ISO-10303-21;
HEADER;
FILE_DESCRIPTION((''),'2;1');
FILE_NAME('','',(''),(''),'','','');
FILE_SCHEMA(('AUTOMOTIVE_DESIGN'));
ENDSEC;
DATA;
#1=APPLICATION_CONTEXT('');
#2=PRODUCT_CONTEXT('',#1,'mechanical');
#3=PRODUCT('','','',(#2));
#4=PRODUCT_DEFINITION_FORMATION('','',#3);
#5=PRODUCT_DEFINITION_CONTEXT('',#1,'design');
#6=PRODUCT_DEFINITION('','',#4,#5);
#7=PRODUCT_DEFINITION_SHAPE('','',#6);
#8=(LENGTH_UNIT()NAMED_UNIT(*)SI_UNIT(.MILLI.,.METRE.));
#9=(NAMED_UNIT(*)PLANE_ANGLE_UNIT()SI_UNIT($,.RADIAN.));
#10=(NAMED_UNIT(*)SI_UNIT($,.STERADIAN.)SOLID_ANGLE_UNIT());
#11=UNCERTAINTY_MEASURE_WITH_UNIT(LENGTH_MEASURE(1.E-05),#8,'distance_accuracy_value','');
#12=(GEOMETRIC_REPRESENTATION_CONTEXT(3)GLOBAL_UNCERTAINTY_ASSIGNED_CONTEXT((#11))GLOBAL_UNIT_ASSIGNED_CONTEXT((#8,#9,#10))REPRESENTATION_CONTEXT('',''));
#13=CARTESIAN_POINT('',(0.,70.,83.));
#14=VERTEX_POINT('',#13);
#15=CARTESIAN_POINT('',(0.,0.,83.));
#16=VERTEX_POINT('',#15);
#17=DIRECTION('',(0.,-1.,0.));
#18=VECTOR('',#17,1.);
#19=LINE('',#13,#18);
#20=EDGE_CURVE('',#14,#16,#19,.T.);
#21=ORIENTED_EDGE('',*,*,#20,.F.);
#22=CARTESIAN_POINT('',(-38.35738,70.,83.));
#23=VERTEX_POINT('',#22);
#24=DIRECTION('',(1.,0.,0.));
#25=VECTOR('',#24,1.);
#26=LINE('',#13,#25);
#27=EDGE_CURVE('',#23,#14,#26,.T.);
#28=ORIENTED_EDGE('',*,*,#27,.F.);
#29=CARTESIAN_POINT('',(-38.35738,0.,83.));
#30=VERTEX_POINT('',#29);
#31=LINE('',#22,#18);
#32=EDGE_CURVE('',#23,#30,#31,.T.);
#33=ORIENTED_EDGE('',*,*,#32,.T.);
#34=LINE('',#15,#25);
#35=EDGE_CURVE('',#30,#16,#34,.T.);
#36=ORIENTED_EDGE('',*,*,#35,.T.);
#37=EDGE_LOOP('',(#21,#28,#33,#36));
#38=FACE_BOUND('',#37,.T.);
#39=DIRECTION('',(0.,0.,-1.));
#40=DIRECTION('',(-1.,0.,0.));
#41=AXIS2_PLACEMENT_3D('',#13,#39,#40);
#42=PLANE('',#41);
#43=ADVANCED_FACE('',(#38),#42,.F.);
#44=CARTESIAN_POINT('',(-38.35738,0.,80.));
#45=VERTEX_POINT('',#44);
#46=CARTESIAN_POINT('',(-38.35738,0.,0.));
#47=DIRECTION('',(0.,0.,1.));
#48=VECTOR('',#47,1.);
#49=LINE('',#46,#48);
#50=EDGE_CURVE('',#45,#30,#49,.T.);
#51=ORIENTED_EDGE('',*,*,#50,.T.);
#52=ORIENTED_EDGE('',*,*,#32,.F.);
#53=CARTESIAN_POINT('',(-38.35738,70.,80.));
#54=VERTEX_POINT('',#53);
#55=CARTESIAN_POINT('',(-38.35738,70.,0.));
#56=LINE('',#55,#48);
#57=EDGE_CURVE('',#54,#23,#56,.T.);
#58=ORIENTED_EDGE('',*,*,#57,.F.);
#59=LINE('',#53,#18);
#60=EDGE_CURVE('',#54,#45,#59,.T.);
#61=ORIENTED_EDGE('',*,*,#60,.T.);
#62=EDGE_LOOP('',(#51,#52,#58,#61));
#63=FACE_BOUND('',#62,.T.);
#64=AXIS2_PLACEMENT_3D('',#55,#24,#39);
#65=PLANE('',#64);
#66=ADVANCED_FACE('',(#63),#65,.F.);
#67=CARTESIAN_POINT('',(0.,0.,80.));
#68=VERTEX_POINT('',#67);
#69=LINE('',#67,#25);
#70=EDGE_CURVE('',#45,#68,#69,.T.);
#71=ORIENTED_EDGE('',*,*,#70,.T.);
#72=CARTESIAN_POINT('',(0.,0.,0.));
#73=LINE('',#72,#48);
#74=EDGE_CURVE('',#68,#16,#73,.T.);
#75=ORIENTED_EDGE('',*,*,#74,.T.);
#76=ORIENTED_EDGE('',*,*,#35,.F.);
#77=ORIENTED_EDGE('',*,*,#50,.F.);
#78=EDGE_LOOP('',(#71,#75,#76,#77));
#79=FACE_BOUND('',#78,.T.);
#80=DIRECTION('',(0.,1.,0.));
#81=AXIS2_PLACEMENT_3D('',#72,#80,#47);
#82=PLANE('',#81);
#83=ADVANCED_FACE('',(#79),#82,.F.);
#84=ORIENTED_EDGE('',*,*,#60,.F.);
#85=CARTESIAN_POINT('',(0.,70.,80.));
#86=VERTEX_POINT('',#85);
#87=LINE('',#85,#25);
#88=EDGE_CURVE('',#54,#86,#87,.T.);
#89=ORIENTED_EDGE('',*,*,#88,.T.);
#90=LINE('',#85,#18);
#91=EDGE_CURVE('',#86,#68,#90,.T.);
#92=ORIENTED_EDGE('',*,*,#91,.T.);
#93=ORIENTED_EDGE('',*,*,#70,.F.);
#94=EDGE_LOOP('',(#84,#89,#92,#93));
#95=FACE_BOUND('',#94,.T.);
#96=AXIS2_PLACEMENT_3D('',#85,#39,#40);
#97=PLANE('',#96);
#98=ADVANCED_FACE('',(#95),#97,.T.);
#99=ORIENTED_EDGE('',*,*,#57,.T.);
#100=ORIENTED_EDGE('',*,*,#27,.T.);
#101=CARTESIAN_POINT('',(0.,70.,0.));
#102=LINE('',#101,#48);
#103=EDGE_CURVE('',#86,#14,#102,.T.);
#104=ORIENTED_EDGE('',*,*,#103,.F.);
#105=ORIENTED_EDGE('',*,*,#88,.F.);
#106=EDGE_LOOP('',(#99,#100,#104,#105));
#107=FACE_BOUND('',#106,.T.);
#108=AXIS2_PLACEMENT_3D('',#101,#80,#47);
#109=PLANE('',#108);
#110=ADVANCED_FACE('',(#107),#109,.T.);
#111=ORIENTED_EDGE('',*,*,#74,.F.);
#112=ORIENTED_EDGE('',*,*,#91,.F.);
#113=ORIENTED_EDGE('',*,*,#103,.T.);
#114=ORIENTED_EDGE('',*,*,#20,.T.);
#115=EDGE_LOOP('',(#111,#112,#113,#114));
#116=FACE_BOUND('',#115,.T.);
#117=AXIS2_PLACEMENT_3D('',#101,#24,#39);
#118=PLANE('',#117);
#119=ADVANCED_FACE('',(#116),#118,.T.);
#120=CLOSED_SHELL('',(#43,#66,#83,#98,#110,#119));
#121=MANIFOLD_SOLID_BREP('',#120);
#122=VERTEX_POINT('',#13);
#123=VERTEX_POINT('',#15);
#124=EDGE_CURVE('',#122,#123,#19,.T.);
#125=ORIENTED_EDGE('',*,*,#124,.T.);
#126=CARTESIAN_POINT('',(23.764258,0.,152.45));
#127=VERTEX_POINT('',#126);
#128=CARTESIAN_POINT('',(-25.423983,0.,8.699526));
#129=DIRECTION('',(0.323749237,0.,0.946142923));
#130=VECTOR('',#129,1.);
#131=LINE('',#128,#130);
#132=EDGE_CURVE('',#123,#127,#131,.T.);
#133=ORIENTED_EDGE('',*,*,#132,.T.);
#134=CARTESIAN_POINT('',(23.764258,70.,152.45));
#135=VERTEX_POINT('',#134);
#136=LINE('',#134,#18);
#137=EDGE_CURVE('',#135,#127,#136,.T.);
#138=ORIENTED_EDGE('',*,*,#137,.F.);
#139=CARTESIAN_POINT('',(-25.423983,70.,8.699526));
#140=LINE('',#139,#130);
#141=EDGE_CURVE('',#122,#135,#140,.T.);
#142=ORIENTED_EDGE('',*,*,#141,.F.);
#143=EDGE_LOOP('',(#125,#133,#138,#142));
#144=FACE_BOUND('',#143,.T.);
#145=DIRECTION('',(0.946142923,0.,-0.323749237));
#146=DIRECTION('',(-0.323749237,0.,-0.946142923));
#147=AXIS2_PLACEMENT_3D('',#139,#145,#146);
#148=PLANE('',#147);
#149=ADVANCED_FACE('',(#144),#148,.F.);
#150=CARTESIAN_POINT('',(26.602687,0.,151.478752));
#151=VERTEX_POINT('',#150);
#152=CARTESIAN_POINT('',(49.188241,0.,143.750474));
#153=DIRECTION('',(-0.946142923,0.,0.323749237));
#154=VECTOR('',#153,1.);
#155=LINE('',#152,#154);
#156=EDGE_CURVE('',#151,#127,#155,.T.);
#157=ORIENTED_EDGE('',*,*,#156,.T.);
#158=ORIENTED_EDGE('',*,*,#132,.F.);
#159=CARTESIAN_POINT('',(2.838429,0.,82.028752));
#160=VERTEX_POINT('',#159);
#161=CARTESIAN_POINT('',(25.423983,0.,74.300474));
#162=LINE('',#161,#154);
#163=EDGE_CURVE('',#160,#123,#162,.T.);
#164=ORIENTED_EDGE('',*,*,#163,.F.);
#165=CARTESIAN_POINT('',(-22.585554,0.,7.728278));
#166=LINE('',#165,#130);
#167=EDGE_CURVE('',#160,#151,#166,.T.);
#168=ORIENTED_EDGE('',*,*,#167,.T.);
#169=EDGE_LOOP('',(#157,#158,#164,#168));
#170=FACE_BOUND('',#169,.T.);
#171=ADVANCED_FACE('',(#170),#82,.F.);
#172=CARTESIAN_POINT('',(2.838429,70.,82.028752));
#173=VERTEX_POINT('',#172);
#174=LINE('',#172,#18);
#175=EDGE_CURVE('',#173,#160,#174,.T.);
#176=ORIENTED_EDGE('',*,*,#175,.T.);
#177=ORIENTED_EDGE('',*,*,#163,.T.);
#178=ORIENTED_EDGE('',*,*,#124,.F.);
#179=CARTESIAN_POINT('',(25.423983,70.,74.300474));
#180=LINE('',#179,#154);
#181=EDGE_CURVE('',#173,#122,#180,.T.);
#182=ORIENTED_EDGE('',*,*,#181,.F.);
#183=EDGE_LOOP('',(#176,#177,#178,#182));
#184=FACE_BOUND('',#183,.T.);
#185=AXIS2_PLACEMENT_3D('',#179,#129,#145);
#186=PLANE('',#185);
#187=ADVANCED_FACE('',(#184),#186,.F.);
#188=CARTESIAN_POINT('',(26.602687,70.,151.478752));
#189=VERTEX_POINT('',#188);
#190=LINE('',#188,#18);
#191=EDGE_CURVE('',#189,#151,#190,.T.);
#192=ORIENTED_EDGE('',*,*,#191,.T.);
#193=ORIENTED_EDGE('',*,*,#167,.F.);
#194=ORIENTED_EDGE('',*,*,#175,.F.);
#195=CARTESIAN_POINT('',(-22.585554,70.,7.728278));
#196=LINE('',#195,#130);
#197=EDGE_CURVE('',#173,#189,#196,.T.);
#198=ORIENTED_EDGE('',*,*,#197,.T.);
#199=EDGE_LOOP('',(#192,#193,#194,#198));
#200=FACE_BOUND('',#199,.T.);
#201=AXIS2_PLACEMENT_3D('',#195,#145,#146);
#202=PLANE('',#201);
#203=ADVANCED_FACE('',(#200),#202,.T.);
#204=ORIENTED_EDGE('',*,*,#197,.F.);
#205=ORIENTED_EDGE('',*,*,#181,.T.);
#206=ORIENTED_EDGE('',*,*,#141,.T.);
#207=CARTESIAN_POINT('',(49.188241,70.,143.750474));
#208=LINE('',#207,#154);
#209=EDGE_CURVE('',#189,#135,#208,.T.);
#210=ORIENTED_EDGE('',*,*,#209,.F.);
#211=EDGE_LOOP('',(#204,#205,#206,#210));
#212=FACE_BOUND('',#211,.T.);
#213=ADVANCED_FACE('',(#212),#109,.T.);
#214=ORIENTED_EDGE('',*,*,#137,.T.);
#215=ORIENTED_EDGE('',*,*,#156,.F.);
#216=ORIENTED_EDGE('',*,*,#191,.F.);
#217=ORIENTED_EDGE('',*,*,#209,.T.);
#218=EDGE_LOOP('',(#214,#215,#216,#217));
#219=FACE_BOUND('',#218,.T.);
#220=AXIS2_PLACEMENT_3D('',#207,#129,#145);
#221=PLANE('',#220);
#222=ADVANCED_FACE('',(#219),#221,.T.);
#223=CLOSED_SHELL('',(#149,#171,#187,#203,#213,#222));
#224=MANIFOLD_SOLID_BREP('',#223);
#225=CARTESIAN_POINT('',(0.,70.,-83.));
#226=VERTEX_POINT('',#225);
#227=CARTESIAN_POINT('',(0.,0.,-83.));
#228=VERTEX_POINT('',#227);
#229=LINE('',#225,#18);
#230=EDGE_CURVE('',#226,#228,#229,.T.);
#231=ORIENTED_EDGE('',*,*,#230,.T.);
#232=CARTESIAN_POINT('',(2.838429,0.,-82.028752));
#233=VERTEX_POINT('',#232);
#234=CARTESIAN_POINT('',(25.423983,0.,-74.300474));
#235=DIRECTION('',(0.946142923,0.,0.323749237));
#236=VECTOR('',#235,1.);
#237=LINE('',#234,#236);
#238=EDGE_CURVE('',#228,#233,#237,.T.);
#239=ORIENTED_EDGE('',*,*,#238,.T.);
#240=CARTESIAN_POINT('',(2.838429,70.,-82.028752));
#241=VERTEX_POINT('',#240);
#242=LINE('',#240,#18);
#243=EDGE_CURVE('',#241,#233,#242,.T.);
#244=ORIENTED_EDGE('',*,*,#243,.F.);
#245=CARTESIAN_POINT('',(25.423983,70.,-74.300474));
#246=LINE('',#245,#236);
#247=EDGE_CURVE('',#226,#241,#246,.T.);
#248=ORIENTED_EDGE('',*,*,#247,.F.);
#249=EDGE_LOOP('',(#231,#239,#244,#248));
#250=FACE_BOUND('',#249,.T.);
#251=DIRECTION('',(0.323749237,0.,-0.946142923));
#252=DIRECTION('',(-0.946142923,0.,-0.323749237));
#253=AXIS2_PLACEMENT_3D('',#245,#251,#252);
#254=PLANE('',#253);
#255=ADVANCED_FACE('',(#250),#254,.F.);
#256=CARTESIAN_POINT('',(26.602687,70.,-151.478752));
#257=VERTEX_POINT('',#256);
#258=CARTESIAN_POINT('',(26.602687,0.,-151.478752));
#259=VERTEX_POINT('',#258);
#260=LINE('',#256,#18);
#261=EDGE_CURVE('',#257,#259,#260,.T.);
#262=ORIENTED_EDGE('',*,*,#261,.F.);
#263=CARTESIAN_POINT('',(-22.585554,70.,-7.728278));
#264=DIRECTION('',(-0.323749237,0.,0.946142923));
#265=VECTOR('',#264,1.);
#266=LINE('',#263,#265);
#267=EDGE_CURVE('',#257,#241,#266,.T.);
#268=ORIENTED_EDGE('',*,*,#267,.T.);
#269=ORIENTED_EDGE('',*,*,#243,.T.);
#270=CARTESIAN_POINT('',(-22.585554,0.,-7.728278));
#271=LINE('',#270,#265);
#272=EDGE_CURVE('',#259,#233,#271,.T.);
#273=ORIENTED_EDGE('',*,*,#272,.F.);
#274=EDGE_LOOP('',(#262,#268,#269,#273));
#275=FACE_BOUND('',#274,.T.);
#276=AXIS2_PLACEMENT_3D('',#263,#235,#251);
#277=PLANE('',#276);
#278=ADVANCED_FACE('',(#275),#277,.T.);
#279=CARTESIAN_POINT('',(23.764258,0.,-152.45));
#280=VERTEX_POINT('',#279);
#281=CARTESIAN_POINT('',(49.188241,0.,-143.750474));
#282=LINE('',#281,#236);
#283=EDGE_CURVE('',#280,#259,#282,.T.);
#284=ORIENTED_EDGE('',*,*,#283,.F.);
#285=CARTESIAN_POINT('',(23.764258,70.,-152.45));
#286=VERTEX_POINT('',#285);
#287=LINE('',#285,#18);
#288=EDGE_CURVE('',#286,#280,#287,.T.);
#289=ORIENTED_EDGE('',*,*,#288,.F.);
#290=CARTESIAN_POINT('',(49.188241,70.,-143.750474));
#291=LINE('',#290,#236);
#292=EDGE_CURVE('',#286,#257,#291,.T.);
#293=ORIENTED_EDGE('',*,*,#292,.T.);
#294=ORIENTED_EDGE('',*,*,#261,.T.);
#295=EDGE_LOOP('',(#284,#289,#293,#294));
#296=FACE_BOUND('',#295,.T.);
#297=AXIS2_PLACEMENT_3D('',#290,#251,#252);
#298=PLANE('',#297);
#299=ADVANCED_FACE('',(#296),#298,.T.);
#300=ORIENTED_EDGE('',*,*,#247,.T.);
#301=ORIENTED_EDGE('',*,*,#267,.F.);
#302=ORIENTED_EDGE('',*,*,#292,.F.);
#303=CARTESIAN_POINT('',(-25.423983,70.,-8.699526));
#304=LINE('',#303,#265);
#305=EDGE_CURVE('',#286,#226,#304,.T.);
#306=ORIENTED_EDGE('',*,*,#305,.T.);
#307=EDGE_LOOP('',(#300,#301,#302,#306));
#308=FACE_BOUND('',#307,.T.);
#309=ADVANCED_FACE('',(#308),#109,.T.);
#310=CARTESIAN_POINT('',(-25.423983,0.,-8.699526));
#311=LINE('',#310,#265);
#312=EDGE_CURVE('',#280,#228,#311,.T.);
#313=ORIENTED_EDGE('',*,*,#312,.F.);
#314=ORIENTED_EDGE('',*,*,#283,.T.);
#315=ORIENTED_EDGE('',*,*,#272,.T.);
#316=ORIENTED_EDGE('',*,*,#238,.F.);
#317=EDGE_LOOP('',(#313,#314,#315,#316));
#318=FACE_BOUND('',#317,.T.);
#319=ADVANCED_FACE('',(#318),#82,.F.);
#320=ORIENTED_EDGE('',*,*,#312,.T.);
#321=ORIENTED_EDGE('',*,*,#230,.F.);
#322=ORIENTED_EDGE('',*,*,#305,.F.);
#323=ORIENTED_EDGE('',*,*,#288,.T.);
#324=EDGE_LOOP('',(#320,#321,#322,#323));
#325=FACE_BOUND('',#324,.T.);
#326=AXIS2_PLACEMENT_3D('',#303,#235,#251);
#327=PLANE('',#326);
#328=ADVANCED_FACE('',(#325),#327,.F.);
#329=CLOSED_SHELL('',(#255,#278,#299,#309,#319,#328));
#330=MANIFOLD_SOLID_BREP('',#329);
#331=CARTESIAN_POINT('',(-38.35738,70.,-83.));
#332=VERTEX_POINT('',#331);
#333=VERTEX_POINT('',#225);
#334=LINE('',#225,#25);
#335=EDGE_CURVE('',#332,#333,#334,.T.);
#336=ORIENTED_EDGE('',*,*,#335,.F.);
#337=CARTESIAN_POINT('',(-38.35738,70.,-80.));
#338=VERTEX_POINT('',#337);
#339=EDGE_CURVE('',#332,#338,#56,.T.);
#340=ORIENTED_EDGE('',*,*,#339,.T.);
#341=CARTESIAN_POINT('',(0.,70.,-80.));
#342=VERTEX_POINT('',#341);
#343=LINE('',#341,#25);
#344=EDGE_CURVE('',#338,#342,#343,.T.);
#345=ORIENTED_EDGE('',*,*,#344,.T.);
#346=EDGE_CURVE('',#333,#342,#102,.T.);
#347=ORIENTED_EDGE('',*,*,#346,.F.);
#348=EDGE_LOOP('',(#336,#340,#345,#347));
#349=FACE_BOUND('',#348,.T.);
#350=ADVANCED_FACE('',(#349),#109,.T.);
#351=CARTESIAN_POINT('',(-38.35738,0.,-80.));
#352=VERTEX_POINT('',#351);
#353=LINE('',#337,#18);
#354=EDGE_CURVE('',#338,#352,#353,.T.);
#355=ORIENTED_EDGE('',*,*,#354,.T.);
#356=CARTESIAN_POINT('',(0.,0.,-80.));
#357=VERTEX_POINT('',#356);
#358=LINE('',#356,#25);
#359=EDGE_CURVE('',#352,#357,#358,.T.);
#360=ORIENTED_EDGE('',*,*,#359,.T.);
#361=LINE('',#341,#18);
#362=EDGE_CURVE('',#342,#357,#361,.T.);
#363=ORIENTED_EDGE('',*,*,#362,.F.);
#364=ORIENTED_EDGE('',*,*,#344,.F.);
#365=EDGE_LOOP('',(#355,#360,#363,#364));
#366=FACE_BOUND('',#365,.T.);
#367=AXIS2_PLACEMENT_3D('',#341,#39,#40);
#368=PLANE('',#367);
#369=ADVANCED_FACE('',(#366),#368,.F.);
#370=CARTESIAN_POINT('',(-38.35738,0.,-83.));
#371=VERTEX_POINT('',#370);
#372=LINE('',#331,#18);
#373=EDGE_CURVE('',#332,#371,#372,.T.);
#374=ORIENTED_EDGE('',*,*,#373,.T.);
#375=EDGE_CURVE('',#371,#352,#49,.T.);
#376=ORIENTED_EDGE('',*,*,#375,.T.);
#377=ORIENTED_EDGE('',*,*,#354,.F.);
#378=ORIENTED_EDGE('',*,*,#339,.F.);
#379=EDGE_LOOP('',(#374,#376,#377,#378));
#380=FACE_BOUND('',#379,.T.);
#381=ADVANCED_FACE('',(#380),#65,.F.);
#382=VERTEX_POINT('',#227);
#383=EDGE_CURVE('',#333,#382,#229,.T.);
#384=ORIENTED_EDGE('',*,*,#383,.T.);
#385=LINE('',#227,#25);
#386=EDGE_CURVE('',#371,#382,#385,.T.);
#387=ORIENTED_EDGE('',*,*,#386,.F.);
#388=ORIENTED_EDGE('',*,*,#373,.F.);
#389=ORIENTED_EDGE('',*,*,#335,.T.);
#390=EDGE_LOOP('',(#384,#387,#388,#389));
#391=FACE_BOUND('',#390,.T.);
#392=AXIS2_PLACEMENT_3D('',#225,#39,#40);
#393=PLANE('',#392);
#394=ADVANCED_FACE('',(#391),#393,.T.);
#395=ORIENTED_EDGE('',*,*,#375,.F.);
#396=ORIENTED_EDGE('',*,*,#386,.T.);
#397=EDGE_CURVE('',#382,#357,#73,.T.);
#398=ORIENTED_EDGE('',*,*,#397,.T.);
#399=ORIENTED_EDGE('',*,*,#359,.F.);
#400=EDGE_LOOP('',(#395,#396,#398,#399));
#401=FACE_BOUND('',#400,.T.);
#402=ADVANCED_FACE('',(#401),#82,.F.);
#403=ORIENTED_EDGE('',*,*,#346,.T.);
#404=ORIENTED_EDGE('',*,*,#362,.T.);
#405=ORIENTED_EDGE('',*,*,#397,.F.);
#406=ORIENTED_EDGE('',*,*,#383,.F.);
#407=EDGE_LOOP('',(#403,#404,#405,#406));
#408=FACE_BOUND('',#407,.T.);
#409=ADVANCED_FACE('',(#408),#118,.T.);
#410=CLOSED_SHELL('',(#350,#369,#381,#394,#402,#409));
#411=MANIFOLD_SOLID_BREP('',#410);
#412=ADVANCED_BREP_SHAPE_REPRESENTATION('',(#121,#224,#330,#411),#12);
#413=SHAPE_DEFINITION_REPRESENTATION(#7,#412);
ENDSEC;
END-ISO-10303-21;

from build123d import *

# Parameters (mm, degrees)
CROQUIS1_W                = 38.357380244
CROQUIS1_H                = 3
SALIENTE_EXTRUIR1_DEPTH   = 70
SALIENTE_EXTRUIR1_2_DEPTH = 70
SALIENTE_EXTRUIR1_3_DEPTH = 70
SALIENTE_EXTRUIR1_4_DEPTH = 70


with BuildPart() as part:
    # Croquis1 → Saliente-Extruir1 (new body)
    with BuildSketch(Plane(origin=(0, 0, 0), x_dir=(1, 0, 0), z_dir=(0, 1, 0))):
        with Locations((-19.178690122, -81.5)):
            Rectangle(CROQUIS1_W, CROQUIS1_H)
    extrude(amount=SALIENTE_EXTRUIR1_DEPTH)


with BuildPart() as body_2:
    # Croquis1 → Saliente-Extruir1 2 (new body)
    with BuildSketch(Plane(origin=(0, 0, 0), x_dir=(1, 0, 0), z_dir=(0, 1, 0))):
        Polygon((26.602686749, -151.478752289), (23.764257979, -152.45), (0, -83), (2.83842877, -82.028752289), align=None)
    extrude(amount=SALIENTE_EXTRUIR1_2_DEPTH)


with BuildPart() as body_3:
    # Croquis1 → Saliente-Extruir1 3 (new body)
    with BuildSketch(Plane(origin=(0, 0, 0), x_dir=(1, 0, 0), z_dir=(0, 1, 0))):
        with Locations((-19.178690122, 81.5)):
            Rectangle(CROQUIS1_W, CROQUIS1_H)
    extrude(amount=SALIENTE_EXTRUIR1_3_DEPTH)


with BuildPart() as body_4:
    # Croquis1 → Saliente-Extruir1 4 (new body)
    with BuildSketch(Plane(origin=(0, 0, 0), x_dir=(1, 0, 0), z_dir=(0, 1, 0))):
        Polygon((26.602686749, 151.478752289), (2.83842877, 82.028752289), (0, 83), (23.764257979, 152.45), align=None)
    extrude(amount=SALIENTE_EXTRUIR1_4_DEPTH)


solid = Compound([part.part, body_2.part, body_3.part, body_4.part])
